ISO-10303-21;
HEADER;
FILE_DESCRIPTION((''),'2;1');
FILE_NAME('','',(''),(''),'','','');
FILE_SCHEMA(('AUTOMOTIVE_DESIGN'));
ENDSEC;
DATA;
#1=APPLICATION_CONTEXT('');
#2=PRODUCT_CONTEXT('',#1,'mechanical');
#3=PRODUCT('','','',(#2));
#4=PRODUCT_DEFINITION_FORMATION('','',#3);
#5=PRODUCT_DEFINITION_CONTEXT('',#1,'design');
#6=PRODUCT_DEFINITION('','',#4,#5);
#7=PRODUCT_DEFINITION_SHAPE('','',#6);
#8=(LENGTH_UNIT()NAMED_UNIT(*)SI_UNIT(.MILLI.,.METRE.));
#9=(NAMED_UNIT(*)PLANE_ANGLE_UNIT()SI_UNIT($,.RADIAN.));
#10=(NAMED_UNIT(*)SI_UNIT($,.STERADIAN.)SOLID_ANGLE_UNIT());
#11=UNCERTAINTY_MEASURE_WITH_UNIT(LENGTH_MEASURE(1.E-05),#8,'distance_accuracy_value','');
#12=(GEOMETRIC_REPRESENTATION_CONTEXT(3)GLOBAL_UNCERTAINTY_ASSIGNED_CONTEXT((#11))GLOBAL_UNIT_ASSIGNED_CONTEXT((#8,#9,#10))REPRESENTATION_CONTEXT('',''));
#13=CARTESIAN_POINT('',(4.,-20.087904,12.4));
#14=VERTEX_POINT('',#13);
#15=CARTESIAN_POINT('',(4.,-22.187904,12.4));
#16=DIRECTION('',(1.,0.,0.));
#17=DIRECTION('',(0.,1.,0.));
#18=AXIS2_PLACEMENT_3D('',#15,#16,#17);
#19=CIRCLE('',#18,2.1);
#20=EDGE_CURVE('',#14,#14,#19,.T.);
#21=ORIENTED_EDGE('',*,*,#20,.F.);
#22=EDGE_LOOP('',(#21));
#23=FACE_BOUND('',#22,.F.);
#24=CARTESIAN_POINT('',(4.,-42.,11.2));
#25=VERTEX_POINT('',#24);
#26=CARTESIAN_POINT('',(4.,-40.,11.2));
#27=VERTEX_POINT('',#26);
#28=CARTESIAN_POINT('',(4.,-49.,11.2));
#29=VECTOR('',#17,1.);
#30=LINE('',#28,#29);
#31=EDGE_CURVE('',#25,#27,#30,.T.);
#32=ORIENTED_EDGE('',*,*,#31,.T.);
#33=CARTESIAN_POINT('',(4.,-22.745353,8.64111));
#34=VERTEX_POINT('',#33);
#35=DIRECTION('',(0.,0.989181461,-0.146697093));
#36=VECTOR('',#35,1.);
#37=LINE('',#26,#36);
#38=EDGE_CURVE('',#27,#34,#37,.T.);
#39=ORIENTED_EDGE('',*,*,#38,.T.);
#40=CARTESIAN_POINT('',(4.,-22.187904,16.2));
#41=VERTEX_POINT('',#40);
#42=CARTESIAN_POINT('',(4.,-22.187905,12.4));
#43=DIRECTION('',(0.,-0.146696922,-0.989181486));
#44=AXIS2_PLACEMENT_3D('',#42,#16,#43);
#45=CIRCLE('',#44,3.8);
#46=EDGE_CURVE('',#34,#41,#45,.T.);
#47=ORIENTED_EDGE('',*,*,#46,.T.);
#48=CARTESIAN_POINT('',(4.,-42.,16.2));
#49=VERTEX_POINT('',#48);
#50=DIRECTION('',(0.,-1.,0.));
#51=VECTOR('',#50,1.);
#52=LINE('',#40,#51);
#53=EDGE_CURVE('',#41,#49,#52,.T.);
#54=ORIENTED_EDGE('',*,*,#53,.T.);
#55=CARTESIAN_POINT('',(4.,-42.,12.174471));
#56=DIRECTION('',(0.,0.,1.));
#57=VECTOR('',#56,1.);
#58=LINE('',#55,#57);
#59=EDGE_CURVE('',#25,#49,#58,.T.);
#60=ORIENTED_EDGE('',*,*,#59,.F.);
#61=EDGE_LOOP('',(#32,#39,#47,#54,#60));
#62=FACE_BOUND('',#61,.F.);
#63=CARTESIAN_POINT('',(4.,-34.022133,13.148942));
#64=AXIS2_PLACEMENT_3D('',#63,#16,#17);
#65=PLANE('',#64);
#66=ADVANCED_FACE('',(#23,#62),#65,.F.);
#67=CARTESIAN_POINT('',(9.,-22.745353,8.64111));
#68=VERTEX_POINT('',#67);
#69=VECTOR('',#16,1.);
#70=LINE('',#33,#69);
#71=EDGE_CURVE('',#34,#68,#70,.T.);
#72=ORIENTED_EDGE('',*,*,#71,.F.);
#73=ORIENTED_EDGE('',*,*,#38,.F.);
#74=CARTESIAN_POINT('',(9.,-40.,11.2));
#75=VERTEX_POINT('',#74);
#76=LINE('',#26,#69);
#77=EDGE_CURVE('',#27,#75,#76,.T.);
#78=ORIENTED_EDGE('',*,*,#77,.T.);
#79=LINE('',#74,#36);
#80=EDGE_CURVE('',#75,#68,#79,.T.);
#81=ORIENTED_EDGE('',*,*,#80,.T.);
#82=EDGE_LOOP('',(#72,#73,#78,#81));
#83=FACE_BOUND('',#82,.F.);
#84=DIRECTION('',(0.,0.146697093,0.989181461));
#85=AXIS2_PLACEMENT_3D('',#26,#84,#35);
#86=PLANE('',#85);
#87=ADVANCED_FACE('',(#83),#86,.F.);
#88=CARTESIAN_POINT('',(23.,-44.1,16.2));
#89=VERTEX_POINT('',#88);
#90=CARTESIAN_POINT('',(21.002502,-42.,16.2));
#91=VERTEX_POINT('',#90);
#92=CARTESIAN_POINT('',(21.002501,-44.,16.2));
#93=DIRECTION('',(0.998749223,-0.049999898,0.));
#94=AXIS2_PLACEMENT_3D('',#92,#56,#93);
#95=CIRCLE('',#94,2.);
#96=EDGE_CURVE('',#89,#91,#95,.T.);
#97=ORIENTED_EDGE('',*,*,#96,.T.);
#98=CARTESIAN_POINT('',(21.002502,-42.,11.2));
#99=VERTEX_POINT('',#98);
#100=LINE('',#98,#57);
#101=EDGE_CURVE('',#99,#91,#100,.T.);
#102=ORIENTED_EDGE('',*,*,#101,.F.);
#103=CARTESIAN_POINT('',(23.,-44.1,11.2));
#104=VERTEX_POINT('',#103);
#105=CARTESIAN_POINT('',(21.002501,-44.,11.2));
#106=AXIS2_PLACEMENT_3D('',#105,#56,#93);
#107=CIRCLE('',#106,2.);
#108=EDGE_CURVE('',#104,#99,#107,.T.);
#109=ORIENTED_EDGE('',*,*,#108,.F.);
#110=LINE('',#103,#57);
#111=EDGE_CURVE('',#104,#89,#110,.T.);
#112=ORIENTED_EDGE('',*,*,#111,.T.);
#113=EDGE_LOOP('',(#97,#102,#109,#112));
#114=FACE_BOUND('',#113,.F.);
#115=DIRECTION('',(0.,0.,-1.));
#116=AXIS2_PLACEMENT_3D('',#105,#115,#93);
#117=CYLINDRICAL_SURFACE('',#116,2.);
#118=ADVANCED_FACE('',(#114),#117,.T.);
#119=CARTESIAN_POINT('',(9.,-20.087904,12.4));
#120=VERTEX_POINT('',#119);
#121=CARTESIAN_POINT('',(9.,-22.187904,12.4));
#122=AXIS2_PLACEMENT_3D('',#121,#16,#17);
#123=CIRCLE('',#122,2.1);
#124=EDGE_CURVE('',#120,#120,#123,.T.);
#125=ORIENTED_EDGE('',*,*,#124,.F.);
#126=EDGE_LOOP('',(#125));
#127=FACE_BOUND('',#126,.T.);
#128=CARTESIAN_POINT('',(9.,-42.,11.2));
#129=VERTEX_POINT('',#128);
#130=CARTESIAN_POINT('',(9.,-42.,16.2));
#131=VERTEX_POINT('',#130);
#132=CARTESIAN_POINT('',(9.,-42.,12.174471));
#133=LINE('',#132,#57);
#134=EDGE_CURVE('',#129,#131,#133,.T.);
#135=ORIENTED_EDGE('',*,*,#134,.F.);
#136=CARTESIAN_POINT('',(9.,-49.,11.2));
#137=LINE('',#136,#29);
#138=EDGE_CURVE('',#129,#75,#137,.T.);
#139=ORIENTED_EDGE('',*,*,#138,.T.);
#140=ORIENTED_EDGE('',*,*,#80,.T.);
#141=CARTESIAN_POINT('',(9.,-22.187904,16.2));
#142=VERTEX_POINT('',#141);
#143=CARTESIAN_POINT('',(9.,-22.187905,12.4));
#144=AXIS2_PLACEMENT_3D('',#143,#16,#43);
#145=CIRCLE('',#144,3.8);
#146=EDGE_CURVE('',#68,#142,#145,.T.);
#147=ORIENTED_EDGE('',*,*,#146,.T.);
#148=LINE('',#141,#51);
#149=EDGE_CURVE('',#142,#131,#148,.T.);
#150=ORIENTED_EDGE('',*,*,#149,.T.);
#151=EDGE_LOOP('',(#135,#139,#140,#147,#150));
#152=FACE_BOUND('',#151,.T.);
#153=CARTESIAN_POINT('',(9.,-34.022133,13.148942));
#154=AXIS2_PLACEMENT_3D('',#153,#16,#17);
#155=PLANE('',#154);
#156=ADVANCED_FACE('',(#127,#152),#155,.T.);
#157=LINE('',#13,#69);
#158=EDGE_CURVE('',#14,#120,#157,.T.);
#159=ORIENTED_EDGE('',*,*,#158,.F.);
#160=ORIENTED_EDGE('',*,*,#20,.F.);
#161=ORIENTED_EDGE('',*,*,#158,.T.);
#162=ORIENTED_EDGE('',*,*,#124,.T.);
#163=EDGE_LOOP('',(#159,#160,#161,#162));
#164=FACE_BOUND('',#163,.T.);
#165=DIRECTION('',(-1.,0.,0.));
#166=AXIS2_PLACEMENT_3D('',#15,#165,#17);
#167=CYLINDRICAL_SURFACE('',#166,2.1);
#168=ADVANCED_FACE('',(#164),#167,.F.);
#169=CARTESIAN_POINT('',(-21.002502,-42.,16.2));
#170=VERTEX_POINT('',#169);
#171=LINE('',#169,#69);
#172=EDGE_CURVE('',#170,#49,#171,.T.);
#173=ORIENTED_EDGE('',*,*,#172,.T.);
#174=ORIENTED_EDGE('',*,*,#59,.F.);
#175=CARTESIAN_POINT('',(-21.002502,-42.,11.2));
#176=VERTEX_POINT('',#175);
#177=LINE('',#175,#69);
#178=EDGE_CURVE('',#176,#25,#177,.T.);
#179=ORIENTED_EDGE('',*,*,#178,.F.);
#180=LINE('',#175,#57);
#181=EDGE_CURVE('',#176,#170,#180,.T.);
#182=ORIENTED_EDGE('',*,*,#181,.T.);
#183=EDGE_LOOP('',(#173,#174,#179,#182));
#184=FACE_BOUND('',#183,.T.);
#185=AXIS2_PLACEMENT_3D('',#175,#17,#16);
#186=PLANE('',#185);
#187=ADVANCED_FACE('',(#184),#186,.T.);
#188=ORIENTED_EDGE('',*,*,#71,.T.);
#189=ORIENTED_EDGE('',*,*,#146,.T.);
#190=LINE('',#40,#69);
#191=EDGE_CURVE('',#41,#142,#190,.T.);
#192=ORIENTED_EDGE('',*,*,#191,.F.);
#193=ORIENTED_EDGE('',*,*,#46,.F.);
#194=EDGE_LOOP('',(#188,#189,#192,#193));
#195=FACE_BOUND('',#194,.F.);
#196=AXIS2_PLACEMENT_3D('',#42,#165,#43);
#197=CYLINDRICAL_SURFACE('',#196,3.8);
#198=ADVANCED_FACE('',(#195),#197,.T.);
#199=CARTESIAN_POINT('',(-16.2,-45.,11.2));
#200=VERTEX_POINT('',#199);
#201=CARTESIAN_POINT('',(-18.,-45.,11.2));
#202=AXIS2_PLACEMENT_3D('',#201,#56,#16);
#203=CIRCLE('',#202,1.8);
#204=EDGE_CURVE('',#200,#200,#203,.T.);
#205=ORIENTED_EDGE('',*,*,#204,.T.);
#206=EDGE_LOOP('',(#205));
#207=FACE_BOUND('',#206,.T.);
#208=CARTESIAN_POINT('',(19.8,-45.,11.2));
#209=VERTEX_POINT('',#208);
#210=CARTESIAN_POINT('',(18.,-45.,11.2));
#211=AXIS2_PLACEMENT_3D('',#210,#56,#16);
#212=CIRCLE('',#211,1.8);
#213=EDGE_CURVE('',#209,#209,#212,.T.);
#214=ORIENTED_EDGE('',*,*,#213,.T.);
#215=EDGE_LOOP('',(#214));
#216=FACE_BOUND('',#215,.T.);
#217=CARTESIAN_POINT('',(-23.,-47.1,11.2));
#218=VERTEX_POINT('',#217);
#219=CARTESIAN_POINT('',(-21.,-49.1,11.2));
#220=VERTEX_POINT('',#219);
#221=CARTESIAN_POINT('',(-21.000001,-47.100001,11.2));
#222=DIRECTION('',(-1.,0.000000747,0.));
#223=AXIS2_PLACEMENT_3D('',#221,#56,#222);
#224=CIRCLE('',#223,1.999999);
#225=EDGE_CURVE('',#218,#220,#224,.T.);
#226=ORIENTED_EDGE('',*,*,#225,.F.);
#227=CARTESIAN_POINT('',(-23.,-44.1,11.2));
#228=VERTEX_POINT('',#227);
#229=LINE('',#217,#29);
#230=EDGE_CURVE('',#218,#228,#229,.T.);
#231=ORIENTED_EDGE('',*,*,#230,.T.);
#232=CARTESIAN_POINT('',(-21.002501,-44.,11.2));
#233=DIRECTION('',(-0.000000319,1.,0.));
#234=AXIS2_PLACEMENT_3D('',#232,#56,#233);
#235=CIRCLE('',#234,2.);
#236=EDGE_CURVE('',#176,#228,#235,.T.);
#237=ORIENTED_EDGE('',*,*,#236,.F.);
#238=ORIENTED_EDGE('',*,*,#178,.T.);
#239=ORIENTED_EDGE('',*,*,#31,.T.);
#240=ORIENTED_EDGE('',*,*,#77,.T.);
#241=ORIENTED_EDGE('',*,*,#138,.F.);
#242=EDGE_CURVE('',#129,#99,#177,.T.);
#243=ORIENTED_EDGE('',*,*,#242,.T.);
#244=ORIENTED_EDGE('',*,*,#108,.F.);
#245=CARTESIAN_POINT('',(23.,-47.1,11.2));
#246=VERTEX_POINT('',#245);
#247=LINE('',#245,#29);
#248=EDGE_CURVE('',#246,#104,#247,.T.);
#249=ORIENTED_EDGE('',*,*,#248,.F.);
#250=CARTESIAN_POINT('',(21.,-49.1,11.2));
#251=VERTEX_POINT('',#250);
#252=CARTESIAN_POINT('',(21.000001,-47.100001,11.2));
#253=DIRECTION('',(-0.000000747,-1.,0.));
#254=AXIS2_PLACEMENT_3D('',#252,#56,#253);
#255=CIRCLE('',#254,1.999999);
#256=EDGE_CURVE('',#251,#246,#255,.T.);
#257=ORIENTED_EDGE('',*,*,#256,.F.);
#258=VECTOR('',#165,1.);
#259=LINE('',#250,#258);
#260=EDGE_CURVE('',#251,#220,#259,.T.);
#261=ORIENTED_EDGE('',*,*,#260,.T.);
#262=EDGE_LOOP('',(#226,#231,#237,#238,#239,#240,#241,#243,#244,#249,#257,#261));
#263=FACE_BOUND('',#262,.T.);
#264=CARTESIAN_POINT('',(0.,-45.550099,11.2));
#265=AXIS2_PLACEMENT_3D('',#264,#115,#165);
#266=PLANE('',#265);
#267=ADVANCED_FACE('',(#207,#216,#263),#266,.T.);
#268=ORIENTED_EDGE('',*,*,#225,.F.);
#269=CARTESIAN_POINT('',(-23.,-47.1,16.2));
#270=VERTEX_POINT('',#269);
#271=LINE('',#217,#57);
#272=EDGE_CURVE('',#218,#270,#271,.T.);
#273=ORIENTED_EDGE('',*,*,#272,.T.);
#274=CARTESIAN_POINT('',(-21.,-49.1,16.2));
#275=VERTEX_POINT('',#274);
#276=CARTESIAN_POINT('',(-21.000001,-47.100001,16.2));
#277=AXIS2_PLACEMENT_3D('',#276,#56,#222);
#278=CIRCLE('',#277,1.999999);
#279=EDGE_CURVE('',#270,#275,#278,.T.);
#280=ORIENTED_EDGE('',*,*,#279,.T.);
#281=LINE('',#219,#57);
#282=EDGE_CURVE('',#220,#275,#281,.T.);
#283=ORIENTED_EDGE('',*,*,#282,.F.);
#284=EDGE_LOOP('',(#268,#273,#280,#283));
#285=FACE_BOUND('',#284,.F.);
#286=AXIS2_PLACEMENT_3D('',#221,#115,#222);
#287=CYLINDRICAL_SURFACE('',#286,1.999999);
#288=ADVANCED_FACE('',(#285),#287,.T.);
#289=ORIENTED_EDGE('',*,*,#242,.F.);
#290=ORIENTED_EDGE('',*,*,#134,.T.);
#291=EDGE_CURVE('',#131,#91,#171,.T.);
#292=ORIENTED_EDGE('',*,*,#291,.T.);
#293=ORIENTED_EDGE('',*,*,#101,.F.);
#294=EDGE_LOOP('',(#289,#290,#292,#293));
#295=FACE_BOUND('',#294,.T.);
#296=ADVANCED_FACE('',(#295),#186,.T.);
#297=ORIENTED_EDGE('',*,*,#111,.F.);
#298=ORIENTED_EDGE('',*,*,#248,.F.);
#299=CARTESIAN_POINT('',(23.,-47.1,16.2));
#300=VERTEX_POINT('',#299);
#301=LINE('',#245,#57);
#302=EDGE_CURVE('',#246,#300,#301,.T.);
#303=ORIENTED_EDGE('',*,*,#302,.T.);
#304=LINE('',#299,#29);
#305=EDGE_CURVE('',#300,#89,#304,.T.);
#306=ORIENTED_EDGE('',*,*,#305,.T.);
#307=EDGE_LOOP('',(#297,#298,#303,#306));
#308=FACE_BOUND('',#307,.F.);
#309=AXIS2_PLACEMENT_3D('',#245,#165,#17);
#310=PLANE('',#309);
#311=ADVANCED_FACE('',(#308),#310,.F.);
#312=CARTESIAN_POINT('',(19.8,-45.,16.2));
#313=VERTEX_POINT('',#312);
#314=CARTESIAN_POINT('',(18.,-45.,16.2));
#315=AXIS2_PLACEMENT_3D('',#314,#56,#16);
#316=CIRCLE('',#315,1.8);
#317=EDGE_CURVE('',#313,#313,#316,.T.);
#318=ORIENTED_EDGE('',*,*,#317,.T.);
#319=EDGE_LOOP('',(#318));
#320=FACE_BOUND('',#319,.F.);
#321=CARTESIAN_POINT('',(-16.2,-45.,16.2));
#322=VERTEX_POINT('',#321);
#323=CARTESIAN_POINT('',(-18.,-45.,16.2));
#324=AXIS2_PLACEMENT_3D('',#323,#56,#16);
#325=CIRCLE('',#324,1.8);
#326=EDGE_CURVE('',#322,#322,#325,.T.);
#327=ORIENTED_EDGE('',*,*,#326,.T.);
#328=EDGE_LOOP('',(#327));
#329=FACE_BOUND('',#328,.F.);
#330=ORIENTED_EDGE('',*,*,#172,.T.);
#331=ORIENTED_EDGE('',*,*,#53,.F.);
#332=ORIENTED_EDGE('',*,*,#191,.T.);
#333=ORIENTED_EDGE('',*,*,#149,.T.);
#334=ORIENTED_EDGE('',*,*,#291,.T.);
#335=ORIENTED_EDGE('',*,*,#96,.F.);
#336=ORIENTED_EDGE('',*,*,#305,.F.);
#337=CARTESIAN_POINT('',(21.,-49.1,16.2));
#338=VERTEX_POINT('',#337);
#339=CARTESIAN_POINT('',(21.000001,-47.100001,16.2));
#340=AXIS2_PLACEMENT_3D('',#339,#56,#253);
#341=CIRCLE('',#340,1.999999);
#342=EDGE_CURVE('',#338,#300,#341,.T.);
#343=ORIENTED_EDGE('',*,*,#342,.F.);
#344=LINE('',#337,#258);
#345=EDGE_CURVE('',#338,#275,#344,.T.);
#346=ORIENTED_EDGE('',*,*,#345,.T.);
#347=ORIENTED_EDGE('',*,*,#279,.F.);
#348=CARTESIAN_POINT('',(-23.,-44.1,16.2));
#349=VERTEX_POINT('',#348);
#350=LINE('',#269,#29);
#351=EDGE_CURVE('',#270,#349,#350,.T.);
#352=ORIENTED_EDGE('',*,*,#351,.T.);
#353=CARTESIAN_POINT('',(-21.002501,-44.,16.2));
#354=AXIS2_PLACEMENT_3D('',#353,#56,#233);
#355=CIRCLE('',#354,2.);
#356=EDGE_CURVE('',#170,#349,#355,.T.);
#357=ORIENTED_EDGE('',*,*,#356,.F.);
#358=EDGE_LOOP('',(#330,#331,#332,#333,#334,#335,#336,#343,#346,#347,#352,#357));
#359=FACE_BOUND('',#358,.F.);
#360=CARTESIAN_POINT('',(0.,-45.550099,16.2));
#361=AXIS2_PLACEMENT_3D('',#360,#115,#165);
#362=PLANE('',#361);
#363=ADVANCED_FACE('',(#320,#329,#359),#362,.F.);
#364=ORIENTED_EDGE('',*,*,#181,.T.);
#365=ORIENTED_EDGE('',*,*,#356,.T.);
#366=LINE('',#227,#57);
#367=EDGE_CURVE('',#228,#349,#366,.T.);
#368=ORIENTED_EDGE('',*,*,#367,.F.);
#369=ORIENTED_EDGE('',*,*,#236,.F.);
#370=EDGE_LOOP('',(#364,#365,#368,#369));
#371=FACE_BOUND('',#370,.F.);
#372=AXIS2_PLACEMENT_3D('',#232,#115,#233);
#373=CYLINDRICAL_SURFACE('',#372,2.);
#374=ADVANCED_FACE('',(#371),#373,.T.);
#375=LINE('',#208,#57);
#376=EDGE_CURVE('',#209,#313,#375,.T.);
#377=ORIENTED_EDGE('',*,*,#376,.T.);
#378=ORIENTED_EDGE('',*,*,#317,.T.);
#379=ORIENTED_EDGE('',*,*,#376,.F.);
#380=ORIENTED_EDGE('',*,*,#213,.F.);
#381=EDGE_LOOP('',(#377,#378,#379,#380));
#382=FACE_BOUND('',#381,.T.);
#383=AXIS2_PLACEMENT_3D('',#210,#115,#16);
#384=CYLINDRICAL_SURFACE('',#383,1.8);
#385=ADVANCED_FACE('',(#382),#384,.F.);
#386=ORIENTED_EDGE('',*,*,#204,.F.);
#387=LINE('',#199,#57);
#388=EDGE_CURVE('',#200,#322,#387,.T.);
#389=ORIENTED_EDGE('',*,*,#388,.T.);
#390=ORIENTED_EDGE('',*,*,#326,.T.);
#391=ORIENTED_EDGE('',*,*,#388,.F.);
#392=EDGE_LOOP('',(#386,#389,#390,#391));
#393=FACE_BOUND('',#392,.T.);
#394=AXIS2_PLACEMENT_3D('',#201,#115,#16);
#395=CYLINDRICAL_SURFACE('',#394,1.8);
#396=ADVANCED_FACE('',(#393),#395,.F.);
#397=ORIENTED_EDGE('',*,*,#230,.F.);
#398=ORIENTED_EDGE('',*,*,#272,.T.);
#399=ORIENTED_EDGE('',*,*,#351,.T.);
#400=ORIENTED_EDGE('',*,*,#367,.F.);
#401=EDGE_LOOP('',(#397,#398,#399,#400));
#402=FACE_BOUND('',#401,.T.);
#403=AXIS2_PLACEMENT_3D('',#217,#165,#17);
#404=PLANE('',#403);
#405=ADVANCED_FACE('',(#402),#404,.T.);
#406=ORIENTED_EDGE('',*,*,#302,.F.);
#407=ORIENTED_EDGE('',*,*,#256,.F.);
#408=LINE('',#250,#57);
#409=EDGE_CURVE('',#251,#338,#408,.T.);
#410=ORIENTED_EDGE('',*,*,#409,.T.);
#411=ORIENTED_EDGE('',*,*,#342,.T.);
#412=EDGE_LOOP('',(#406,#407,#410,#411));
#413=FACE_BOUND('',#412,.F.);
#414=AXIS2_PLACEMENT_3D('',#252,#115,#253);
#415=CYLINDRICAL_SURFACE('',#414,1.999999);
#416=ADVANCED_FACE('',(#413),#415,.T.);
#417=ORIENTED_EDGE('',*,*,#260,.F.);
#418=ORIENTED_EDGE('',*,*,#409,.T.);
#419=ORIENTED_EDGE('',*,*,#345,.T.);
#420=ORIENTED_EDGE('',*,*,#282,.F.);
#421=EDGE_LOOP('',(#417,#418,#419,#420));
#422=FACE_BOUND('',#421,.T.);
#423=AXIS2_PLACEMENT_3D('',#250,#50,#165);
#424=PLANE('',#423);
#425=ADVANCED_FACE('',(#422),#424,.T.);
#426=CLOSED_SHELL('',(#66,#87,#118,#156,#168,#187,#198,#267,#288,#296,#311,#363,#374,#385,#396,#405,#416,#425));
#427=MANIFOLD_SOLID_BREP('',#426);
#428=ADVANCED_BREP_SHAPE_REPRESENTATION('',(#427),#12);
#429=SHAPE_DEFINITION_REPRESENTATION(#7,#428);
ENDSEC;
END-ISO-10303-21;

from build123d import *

# Parameters (mm, degrees)
SKETCH009_R      = 1.8
EXTRUDE008_DEPTH = 5
SKETCH008_R      = 2.1
EXTRUDE007_DEPTH = 5


with BuildPart() as extrude008:
    # Sketch009 → Extrude008 (new body)
    with BuildSketch(Plane.XY):
        with BuildLine():
            Line((-21.002502, -42), (21.002502, -42))
            ThreePointArc((23, -44.1), (22.451639, -42.621595), (21.002502, -42))
            Line((23, -47.1), (23, -44.1))
            ThreePointArc((21, -49.1), (22.414214, -48.514214), (23, -47.1))
            Line((21, -49.1), (-21, -49.1))
            ThreePointArc((-23, -47.1), (-22.414214, -48.514214), (-21, -49.1))
            Line((-23, -47.1), (-23, -44.1))
            ThreePointArc((-21.002502, -42), (-22.451639, -42.621595), (-23, -44.1))
        make_face()
        with Locations((-18, -45)):
            Circle(SKETCH009_R, mode=Mode.SUBTRACT)
        with Locations((18, -45)):
            Circle(SKETCH009_R, mode=Mode.SUBTRACT)
    extrude(amount=EXTRUDE008_DEPTH)


with BuildPart() as extrude008_1:
    # Extrude008 placement: moved
    add(extrude008.part.moved(Location((0, 0, 11.2))))


with BuildPart() as mho_other_side_fusion:
    # Sketch008 → Extrude007 (new body)
    with BuildSketch(Plane.YZ):
        with BuildLine():
            Line((-49, 11.2), (-40, 11.2))
            Line((-40, 11.2), (-22.745353, 8.64111))
            ThreePointArc((-22.745353, 8.64111), (-18.398196, 12.120519), (-22.187904, 16.2))
            Line((-22.187904, 16.2), (-49, 16.2))
            Line((-49, 16.2), (-49, 11.2))
        make_face()
        with Locations((-22.187904, 12.4)):
            Circle(SKETCH008_R, mode=Mode.SUBTRACT)
    extrude(amount=EXTRUDE007_DEPTH)


with BuildPart() as mho_other_side_fusion_1:
    # Extrude007 placement: moved
    add(mho_other_side_fusion.part.moved(Location((4, 0, 0))))

    # Fusion009: union Extrude008
    add(extrude008_1.part)


solid = mho_other_side_fusion_1.part
